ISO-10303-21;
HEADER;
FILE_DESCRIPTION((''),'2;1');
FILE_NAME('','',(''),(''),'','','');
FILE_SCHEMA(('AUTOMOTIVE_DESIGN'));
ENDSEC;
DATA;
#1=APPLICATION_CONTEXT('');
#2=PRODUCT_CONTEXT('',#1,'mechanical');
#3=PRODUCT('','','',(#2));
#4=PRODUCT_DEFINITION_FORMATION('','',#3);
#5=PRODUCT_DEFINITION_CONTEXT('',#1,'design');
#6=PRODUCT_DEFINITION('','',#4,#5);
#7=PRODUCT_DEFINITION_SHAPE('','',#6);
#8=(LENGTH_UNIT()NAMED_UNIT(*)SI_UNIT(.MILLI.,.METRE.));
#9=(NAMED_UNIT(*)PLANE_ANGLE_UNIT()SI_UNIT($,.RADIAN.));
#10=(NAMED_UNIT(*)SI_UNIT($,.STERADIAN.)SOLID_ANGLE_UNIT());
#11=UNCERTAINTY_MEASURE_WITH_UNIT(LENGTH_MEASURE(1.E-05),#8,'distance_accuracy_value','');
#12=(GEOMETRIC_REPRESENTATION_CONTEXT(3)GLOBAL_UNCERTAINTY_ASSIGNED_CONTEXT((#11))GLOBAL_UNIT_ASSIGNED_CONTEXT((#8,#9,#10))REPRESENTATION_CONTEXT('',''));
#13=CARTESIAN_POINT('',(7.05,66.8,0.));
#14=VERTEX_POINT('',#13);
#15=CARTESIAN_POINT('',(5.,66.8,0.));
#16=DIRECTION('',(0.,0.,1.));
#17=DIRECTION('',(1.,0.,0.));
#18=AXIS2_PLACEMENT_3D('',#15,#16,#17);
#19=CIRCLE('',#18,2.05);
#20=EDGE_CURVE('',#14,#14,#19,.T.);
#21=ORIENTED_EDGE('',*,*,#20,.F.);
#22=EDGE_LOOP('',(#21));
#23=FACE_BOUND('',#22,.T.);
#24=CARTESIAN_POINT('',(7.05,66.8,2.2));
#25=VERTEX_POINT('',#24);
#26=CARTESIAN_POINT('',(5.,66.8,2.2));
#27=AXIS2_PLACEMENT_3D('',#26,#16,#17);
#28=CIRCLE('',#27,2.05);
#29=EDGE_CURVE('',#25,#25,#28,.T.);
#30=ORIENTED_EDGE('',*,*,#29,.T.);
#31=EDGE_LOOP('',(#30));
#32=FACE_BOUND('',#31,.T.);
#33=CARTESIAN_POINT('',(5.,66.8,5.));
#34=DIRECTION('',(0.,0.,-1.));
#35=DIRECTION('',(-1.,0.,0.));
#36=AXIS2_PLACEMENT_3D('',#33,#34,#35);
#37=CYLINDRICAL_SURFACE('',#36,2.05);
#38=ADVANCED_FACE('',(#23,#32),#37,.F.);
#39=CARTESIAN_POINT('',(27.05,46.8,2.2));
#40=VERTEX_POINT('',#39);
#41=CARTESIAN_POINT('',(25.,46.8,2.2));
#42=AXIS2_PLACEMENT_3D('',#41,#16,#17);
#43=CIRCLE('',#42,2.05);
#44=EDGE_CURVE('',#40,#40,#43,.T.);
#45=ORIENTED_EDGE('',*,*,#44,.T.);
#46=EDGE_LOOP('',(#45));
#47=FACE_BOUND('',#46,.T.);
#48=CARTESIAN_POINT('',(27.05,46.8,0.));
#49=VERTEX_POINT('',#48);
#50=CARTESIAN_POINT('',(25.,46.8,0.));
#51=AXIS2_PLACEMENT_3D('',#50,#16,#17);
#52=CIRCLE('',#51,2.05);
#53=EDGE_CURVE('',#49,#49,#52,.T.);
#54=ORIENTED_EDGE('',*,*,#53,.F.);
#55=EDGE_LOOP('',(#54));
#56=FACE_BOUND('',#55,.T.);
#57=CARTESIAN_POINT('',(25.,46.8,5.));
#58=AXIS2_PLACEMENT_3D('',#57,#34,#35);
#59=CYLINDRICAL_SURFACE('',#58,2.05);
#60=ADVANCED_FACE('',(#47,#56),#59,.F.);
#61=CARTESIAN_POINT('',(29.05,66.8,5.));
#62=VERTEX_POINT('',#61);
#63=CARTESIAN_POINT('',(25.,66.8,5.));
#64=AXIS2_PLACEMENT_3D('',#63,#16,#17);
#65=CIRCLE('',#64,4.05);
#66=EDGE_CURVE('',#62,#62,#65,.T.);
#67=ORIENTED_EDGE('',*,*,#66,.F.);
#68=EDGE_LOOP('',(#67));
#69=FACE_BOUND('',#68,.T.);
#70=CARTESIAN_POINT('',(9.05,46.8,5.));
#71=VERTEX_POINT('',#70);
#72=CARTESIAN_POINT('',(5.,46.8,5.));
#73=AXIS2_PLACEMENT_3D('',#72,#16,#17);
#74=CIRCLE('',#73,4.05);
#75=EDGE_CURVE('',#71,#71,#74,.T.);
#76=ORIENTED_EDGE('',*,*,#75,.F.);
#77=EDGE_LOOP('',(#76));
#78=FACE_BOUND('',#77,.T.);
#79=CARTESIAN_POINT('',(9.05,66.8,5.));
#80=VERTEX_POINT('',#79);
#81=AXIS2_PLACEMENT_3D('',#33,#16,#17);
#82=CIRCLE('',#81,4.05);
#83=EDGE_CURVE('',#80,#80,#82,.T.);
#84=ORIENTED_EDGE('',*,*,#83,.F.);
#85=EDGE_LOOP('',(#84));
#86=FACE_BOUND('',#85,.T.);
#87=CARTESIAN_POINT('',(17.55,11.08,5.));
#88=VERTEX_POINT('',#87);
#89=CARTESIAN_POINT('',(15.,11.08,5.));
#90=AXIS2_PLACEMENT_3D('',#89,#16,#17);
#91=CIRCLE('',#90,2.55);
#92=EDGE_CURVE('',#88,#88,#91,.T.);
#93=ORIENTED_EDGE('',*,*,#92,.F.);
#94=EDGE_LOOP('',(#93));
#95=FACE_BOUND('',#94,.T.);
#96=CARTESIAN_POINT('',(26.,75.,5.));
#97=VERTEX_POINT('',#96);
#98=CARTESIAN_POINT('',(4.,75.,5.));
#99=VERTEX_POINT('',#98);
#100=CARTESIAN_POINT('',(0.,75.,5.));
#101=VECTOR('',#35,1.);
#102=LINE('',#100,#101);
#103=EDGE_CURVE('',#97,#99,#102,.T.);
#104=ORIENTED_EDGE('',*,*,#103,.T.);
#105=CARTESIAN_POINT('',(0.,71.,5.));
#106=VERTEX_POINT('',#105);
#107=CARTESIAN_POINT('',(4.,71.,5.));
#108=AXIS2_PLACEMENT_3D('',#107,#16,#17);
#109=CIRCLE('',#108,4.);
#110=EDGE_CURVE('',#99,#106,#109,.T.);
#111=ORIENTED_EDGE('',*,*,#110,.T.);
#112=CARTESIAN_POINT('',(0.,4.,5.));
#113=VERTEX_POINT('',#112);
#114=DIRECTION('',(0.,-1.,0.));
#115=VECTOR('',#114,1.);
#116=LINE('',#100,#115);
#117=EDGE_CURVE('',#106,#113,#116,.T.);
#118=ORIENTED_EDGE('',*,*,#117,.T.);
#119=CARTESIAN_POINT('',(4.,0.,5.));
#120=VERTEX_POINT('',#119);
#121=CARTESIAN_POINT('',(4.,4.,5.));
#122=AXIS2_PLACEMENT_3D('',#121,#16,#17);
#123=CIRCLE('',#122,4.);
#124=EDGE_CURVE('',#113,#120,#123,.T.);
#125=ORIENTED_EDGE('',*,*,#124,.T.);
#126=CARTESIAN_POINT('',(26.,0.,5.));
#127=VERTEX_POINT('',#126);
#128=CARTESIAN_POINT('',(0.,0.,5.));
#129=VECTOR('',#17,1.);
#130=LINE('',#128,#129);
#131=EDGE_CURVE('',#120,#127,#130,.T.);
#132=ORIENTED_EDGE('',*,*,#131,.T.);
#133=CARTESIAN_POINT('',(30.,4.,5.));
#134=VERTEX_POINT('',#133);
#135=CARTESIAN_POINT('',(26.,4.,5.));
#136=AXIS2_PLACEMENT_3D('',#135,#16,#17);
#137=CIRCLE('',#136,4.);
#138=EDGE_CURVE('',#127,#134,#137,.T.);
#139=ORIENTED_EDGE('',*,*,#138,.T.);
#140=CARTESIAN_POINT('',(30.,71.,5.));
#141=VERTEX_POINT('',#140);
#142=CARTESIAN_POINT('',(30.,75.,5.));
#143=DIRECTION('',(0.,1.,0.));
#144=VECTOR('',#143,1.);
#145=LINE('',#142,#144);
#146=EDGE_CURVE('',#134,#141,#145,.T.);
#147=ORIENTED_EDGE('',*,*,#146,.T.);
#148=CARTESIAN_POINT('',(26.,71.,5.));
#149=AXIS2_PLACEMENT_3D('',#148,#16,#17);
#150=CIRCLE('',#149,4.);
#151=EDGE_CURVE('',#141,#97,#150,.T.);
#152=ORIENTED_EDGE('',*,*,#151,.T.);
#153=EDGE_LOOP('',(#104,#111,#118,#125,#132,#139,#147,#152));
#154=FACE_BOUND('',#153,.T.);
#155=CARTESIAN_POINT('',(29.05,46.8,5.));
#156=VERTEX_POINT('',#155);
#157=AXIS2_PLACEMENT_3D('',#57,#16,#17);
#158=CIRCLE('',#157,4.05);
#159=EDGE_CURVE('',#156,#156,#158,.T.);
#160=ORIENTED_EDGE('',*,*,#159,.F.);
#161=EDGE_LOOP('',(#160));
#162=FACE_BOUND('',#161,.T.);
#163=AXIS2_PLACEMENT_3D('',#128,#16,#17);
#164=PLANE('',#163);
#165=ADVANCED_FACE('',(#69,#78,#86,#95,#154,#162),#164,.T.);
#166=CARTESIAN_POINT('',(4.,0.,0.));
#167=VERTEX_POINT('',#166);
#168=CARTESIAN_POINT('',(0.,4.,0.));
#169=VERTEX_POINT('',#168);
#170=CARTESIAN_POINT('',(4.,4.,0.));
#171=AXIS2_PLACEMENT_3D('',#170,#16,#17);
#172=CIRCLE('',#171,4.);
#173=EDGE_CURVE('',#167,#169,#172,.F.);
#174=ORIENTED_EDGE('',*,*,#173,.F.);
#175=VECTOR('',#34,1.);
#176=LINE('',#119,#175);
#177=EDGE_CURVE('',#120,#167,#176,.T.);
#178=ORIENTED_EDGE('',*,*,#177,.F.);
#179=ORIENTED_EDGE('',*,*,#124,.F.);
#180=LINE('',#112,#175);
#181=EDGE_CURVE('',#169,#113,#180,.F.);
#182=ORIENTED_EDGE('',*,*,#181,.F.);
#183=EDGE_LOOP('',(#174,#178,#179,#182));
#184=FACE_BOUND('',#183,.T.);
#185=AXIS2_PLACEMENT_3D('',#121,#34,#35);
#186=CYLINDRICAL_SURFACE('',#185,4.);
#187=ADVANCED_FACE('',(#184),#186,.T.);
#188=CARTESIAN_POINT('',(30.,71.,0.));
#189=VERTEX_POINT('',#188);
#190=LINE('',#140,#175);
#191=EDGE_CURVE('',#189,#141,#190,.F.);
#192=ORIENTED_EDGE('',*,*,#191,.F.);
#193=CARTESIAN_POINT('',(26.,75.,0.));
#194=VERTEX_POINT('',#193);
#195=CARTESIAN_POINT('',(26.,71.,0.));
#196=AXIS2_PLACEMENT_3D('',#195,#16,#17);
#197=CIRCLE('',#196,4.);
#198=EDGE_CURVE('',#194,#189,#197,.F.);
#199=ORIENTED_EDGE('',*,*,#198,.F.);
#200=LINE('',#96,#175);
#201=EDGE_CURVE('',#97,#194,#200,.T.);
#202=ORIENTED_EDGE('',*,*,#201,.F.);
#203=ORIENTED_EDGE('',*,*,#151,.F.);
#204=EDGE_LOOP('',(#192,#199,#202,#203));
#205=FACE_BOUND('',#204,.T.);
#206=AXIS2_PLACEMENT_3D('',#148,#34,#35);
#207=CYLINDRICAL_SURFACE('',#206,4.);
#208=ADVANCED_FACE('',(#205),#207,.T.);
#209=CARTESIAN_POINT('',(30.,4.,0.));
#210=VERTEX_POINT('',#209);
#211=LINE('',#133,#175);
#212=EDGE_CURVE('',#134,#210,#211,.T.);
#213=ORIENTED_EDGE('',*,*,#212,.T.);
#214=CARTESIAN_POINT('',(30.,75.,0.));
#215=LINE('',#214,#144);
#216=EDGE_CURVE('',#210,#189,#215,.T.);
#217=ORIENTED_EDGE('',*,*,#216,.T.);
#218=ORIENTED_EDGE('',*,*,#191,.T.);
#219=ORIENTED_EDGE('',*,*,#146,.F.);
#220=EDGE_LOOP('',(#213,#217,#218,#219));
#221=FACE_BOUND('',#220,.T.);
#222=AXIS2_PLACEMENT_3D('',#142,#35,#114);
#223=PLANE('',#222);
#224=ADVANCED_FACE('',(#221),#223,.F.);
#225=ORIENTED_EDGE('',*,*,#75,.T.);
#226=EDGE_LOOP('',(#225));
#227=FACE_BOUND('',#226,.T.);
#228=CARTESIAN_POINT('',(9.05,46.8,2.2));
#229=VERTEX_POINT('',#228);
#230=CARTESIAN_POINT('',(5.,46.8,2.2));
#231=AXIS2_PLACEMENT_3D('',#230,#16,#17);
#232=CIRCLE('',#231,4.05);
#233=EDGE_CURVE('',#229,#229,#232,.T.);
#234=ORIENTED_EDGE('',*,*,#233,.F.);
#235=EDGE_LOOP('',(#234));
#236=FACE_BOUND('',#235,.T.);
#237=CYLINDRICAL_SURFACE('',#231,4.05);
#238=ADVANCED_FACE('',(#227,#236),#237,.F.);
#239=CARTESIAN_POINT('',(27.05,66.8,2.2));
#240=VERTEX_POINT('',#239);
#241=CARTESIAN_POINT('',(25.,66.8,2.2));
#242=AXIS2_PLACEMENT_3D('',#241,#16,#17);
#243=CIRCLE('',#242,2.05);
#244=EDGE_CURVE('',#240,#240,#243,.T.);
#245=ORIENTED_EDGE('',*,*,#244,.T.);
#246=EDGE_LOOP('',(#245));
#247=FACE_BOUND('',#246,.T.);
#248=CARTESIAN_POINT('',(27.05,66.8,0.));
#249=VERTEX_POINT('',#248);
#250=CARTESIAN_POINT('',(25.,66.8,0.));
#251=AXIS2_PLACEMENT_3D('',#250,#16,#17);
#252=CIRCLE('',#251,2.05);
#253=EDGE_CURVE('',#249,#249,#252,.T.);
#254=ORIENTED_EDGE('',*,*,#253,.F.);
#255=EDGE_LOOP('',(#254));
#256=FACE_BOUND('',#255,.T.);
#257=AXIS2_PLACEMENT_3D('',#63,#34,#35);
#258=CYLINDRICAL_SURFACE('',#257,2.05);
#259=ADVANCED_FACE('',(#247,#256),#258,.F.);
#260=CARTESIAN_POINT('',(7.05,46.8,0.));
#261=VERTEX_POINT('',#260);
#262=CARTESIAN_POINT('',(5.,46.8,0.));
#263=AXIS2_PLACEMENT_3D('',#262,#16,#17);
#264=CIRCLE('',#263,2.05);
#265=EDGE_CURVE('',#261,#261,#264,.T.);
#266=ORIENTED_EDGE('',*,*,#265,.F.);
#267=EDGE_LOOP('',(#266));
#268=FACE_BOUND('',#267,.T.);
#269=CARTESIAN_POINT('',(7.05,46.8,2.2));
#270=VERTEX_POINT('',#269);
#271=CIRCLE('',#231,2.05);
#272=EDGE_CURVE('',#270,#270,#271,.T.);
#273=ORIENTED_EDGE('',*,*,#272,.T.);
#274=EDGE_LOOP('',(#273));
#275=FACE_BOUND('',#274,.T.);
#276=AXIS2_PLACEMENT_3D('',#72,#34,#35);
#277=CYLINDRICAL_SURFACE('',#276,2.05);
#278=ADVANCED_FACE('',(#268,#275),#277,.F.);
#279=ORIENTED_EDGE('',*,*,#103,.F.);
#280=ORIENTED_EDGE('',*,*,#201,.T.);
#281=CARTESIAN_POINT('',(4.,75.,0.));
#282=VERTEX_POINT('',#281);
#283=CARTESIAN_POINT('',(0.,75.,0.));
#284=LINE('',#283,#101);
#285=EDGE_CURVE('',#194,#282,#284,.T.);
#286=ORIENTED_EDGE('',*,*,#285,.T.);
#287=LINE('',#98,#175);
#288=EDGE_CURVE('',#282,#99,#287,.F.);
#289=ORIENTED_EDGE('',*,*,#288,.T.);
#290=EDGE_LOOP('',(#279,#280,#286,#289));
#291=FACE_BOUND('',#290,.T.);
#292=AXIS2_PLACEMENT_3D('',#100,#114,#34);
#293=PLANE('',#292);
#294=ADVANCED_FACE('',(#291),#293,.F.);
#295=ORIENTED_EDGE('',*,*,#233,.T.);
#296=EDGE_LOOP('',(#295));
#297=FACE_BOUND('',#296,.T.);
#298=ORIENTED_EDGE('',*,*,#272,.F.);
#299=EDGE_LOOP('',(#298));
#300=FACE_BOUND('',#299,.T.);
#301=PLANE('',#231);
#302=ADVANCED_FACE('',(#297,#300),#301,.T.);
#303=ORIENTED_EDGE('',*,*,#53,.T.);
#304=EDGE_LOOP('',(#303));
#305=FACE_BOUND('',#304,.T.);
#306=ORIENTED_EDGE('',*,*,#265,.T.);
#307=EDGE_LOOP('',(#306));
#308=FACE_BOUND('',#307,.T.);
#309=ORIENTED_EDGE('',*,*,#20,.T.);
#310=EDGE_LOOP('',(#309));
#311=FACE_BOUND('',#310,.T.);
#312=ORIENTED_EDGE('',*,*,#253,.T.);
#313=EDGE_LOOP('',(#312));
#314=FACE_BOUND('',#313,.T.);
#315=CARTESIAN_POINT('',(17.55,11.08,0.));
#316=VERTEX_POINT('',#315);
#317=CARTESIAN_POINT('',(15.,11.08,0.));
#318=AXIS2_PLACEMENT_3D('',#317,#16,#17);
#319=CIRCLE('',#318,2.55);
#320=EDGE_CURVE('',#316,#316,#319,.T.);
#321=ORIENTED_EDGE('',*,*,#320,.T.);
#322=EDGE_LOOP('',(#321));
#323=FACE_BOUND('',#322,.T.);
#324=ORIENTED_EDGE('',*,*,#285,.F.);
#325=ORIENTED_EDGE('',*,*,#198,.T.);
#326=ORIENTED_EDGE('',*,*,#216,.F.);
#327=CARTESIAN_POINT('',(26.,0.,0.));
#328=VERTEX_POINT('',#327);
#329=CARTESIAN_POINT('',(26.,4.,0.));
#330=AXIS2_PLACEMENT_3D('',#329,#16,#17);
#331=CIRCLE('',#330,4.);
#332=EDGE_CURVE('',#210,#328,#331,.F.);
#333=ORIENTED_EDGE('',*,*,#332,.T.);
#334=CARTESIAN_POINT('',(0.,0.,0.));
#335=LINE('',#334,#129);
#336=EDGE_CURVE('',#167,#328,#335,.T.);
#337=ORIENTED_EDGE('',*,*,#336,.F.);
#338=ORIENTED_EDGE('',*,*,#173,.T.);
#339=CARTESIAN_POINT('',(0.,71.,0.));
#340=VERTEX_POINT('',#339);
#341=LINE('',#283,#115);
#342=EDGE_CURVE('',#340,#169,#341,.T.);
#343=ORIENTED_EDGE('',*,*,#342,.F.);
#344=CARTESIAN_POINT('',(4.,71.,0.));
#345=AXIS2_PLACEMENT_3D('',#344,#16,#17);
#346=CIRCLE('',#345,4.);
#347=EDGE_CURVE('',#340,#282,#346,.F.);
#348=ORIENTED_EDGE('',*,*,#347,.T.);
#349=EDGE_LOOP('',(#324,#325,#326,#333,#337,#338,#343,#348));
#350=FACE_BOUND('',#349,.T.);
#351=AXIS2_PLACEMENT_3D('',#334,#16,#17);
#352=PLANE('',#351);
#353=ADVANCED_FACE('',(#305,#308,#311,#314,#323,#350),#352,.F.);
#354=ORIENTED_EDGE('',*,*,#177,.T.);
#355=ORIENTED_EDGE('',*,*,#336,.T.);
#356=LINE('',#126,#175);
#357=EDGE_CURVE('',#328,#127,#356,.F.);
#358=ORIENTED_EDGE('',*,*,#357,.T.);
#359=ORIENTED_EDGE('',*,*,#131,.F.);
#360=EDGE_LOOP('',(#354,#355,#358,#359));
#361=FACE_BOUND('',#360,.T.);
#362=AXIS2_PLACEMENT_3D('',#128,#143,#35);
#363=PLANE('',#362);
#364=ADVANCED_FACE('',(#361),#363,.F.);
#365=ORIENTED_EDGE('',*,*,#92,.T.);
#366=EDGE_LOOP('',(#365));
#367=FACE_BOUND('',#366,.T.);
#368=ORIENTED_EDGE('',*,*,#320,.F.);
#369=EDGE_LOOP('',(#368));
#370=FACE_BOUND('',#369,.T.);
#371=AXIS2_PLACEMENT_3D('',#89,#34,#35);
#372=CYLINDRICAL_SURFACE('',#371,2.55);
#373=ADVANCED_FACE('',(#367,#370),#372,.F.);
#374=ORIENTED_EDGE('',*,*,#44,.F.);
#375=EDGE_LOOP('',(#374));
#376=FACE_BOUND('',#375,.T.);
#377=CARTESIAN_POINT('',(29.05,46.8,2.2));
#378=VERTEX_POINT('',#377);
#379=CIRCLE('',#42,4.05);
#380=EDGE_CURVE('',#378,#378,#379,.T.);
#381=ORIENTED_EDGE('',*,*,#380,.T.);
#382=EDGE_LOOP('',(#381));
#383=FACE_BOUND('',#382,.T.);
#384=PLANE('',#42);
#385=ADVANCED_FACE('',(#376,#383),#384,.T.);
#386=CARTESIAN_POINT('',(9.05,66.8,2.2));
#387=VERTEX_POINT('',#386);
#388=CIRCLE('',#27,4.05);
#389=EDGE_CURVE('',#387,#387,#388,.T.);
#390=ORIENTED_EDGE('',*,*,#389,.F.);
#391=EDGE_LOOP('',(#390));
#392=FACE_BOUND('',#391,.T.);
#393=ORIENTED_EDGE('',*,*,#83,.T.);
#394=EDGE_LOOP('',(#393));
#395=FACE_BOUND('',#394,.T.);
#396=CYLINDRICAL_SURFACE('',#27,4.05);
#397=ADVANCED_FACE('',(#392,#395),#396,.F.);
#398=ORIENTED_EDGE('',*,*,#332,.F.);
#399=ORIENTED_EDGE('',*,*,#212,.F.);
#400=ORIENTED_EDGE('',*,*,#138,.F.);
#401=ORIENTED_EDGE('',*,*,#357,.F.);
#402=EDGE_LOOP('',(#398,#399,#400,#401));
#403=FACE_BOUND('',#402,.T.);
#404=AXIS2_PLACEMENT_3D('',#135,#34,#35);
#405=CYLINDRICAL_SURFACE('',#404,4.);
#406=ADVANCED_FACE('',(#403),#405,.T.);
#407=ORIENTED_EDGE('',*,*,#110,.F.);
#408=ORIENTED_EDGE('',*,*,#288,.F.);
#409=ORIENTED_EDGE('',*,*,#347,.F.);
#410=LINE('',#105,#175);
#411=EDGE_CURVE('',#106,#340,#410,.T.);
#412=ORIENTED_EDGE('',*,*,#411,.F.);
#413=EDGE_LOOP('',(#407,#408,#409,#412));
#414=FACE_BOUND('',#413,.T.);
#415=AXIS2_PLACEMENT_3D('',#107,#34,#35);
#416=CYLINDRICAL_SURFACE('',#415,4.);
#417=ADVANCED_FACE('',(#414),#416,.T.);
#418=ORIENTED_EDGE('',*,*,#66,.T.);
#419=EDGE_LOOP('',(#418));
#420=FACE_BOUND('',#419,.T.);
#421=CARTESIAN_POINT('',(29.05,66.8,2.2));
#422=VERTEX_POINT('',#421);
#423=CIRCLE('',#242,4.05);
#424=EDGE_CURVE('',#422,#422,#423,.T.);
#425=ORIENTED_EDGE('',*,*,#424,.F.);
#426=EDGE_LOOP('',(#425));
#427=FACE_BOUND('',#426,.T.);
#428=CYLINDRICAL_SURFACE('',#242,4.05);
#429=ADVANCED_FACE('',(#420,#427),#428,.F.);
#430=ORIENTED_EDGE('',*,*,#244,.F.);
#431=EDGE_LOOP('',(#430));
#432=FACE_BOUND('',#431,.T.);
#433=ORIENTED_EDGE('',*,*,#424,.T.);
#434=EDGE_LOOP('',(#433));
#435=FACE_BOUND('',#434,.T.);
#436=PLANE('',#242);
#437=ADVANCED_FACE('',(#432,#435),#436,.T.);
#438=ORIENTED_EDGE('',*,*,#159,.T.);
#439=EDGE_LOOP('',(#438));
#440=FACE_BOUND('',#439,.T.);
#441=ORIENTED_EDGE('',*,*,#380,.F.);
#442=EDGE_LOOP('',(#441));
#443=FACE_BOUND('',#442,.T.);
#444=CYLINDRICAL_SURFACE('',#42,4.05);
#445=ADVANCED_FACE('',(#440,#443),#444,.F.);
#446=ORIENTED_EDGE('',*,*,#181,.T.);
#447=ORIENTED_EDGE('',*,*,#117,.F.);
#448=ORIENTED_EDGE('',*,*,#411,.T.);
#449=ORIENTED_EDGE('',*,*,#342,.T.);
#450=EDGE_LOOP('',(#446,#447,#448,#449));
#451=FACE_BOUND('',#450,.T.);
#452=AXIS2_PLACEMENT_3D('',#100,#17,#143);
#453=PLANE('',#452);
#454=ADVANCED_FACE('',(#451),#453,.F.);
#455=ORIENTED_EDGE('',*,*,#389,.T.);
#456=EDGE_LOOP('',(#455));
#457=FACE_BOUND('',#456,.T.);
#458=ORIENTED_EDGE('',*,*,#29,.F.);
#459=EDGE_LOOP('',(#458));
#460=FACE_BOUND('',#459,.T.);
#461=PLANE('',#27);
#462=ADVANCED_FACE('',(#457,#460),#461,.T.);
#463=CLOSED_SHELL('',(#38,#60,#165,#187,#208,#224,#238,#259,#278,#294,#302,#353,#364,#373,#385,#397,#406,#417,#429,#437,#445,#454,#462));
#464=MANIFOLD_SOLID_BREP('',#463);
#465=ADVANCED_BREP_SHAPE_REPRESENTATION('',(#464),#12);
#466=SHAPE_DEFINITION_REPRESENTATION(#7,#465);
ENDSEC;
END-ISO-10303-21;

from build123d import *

# Parameters (mm, degrees)
CROQUIS1_W              = 30
CROQUIS1_H              = 75
CROQUIS1_R              = 2.05
CROQUIS1_R_2            = 2.55
SALIENTE_EXTRUIR1_DEPTH = 5
REDONDEO1_R             = 4
CROQUIS4_R              = 4.05
CORTAR_EXTRUIR1_DEPTH   = 2.8


with BuildPart() as part:
    # Croquis1 → Saliente-Extruir1 (new body)
    with BuildSketch(Plane.XY):
        with Locations((15, 37.5)):
            Rectangle(CROQUIS1_W, CROQUIS1_H)
        with Locations((5, 66.8)):
            Circle(CROQUIS1_R, mode=Mode.SUBTRACT)
        with Locations((25, 66.8)):
            Circle(CROQUIS1_R, mode=Mode.SUBTRACT)
        with Locations((25, 46.8)):
            Circle(CROQUIS1_R, mode=Mode.SUBTRACT)
        with Locations((5, 46.8)):
            Circle(CROQUIS1_R, mode=Mode.SUBTRACT)
        with Locations((15, 11.08)):
            Circle(CROQUIS1_R_2, mode=Mode.SUBTRACT)
    extrude(amount=SALIENTE_EXTRUIR1_DEPTH)

    # Redondeo1
    redondeo1_edges = [part.edges().sort_by_distance(p)[0] for p in [
        (0, 75, 2.5),
        (30, 75, 2.5),
        (30, 0, 2.5),
        (0, 0, 2.5),
    ]]
    fillet(redondeo1_edges, radius=REDONDEO1_R)

    # Croquis4 → Cortar-Extruir1 (cut)
    with BuildSketch(Plane.XY.offset(5)):
        with Locations((5, 66.8)):
            Circle(CROQUIS4_R)
        with Locations((5, 46.8)):
            Circle(CROQUIS4_R)
        with Locations((25, 46.8)):
            Circle(CROQUIS4_R)
        with Locations((25, 66.8)):
            Circle(CROQUIS4_R)
    extrude(amount=-CORTAR_EXTRUIR1_DEPTH, mode=Mode.SUBTRACT)


solid = part.part
